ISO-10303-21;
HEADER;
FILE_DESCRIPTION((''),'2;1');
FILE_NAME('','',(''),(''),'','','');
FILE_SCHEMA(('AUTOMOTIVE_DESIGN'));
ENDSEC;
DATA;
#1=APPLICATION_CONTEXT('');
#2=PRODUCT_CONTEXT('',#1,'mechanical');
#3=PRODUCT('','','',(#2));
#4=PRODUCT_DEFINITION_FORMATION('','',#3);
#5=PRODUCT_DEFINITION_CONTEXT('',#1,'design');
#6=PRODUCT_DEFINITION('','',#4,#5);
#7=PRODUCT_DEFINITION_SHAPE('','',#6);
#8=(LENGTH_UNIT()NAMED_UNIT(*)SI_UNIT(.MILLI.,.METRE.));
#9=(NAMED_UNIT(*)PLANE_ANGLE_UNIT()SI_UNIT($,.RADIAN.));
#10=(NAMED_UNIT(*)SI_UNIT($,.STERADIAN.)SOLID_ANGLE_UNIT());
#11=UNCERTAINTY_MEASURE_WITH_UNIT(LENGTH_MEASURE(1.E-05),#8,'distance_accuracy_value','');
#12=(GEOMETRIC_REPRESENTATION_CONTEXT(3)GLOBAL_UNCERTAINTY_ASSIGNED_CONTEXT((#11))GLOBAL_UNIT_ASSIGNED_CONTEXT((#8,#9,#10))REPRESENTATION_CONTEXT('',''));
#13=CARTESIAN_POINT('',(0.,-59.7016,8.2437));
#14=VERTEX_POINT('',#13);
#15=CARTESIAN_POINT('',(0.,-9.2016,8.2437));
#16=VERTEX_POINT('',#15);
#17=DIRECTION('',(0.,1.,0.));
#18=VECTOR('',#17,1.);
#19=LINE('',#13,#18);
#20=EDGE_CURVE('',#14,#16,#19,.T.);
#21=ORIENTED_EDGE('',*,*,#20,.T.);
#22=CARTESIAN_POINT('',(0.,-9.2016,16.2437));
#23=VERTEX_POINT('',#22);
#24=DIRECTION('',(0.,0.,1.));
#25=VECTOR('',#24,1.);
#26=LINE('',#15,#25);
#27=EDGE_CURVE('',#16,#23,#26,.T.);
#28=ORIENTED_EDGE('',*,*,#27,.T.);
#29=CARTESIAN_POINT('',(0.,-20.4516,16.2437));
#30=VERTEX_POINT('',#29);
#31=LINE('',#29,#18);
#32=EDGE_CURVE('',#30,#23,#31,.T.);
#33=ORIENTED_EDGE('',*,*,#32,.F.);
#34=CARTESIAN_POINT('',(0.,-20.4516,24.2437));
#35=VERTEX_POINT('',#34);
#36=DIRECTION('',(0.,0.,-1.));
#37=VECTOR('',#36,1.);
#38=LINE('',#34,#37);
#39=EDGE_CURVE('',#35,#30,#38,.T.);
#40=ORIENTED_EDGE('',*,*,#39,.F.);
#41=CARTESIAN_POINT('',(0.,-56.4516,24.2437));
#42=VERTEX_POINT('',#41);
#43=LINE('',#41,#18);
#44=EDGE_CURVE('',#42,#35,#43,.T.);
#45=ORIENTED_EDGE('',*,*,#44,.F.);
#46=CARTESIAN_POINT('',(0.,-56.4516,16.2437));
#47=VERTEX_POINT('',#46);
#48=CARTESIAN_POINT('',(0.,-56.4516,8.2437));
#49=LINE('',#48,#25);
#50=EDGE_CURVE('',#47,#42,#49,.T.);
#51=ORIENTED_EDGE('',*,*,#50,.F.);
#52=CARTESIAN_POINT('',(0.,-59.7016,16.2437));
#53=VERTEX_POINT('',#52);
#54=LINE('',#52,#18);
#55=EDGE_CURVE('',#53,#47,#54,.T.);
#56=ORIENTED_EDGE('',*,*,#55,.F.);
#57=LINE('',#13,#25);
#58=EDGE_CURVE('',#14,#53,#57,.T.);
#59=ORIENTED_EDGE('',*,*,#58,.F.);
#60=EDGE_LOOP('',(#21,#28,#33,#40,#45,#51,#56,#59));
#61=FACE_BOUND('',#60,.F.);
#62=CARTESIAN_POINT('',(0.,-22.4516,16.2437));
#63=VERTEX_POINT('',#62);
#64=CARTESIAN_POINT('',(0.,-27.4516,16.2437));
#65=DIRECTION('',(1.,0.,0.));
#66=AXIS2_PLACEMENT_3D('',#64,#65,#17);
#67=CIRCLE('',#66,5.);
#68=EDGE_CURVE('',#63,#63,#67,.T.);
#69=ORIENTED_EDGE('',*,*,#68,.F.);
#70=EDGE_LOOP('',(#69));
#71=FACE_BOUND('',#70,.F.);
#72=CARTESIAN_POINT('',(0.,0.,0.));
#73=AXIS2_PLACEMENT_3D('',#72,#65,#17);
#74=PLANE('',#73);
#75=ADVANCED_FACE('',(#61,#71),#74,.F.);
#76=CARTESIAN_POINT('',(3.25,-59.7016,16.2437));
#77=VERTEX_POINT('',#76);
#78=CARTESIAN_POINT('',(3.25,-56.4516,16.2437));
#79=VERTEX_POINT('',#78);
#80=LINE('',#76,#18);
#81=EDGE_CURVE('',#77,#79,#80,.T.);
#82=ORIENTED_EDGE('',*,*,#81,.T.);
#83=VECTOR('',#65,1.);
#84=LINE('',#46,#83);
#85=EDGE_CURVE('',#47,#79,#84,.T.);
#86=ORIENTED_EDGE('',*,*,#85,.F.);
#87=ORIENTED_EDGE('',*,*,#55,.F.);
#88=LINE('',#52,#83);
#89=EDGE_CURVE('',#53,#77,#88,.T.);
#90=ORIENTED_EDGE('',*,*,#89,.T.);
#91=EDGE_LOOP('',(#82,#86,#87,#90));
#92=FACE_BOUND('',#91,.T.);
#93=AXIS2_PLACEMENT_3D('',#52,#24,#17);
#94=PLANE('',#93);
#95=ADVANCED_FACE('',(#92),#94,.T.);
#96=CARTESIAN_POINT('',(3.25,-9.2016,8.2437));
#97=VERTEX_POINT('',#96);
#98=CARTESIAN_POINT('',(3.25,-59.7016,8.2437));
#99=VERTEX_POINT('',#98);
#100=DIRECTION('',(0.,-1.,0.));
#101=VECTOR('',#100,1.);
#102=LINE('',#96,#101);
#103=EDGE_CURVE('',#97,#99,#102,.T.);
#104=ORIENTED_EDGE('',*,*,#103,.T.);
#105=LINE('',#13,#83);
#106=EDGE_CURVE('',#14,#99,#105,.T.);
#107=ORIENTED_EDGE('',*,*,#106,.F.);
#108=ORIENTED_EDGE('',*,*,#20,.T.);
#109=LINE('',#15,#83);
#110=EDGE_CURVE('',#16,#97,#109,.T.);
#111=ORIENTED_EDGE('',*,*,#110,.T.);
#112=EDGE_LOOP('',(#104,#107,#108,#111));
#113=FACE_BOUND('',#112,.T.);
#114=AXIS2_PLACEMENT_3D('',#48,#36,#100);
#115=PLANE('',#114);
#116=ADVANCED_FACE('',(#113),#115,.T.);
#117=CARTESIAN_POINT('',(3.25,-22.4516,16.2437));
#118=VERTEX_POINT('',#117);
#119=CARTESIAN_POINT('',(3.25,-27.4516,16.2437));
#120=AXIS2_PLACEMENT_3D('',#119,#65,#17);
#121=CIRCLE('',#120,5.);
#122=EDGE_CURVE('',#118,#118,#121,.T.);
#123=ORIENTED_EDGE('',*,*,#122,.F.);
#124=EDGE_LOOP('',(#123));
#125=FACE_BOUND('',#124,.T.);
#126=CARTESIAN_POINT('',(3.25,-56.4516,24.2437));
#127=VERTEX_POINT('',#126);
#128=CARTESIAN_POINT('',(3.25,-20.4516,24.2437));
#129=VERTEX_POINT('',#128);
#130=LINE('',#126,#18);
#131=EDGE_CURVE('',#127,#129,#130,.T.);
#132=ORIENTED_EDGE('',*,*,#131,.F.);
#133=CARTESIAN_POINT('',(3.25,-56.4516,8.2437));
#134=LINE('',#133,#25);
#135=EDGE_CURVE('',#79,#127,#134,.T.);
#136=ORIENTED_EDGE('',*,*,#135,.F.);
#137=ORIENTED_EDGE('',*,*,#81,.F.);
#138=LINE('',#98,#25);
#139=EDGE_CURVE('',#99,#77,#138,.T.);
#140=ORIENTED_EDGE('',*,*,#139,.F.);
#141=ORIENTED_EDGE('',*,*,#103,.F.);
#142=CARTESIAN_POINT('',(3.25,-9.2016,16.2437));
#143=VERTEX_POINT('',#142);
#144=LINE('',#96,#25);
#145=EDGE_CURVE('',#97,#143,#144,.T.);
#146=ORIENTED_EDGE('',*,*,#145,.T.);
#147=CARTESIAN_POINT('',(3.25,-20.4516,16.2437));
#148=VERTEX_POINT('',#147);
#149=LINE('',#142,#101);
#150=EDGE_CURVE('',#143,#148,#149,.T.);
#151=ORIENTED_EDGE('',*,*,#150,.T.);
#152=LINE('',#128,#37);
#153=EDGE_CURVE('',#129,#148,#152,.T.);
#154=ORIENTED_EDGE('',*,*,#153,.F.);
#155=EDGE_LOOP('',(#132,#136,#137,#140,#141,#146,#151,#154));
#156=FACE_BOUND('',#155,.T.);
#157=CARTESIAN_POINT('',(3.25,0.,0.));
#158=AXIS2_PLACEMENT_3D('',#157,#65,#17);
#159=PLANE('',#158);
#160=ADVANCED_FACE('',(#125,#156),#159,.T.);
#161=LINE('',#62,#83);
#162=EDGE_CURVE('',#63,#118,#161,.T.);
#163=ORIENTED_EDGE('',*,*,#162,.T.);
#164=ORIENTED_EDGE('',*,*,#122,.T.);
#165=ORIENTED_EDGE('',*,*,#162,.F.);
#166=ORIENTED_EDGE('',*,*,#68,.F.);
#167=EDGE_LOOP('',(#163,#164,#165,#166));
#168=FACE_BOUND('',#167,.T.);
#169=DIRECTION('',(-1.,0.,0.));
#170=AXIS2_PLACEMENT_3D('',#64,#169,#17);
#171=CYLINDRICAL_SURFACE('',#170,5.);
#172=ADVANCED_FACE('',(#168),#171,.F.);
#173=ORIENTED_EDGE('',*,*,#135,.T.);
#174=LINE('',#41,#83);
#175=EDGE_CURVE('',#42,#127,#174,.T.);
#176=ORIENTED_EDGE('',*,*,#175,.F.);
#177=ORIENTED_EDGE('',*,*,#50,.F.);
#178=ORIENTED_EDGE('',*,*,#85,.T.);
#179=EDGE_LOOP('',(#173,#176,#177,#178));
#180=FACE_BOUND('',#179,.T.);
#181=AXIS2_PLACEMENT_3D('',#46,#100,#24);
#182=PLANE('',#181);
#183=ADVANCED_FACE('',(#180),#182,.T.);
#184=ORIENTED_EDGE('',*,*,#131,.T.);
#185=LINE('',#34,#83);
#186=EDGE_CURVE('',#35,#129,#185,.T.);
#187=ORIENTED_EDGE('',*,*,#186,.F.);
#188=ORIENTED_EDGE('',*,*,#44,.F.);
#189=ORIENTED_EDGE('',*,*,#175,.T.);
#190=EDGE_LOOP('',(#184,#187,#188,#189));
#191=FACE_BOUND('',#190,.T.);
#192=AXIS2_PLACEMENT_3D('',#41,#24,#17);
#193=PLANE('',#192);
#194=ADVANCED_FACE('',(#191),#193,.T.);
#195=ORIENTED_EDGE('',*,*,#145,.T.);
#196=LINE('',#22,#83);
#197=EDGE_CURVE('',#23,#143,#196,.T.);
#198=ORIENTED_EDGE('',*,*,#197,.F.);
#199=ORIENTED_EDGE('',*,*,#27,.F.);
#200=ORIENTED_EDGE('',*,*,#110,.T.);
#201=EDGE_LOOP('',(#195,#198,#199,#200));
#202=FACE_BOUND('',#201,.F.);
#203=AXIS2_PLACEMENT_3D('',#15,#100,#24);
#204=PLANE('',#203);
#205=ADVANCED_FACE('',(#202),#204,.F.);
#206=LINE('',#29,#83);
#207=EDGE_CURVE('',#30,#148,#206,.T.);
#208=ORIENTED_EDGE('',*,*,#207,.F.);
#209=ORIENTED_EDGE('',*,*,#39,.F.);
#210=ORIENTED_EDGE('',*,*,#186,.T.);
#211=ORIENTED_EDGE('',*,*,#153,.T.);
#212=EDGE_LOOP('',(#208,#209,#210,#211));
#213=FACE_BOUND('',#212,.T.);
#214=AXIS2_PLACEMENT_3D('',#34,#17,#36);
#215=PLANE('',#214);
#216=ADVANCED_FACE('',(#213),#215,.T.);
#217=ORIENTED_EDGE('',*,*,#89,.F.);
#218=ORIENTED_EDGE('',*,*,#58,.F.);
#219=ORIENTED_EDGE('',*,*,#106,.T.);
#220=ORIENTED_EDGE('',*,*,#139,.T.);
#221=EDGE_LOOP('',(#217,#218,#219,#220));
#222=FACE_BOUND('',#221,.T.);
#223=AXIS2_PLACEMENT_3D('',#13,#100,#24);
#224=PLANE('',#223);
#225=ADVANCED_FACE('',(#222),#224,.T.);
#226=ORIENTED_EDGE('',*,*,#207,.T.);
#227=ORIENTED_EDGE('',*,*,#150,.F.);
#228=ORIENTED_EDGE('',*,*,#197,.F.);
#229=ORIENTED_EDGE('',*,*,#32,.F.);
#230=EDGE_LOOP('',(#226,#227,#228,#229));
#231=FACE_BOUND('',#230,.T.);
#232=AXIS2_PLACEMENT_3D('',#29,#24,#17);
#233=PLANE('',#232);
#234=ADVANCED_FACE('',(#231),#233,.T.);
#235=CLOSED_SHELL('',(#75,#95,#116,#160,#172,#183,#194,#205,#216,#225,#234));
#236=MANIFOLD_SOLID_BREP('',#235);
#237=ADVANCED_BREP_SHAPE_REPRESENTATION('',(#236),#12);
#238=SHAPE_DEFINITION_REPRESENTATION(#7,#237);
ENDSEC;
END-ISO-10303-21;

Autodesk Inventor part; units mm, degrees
ref_plane "YZ Plane" through (0, 0, 0) normal (1, 0, 0) x (0, 1, 0)
ref_plane "XZ Plane" through (0, 0, 0) normal (0, 1, 0) x (-1, 0, 0)
ref_plane "XY Plane" through (0, 0, 0) normal (0, 0, 1) x (1, 0, 0)
sketch "Sketch1" plane through (0, 0, 0) normal (1, 0, 0) x (0, 1, 0)
  line L0 (-92.7646, -8.503) -> (-89.7646, -8.503)
  line L1 (-89.7646, -8.503) -> (-89.7646, -11.753)
  line L2 (-89.7646, -11.753) -> (-92.7646, -11.753)
  line L3 (-92.7646, -11.753) -> (-92.7646, -8.503)
  line L4 (-92.7646, -21.6527) -> (-89.7646, -21.6527)
  line L5 (-89.7646, -21.6527) -> (-89.7646, -21.7527)
  line L6 (-89.7646, -21.7527) -> (-92.7646, -21.7527)
  line L7 (-92.7646, -21.7527) -> (-92.7646, -21.6527)
  line L8 (-56.4516, 8.2437) -> (-59.7016, 8.2437)
  line L9 (-59.7016, 8.2437) -> (-59.7016, 16.2437)
  line L10 (-59.7016, 16.2437) -> (-56.4516, 16.2437)
  line L11 (-56.4516, 16.2437) -> (-56.4516, 8.2437)
  line L12 (-34.4516, 24.2437) -> (-34.4516, 8.2437) construction
  line L13 (-12.4516, 8.2437) -> (-9.2016, 8.2437)
  line L14 (-9.2016, 8.2437) -> (-9.2016, 16.2437)
  line L15 (-9.2016, 16.2437) -> (-12.4516, 16.2437)
  line L16 (-12.4516, 16.2437) -> (-12.4516, 8.2437)
  circle A0 centre (-27.4516, 16.2437) radius 5
  line L17 (-12.4516, 8.2437) -> (-20.4516, 8.2437)
  line L18 (-20.4516, 8.2437) -> (-20.4516, 16.2437)
  line L19 (-20.4516, 16.2437) -> (-12.4516, 16.2437)
  line L20 (-12.4516, 16.2437) -> (-12.4516, 8.2437)
  line L21 (-20.4516, 8.2437) -> (-56.4516, 8.2437)
  line L22 (-56.4516, 8.2437) -> (-56.4516, 24.2437)
  line L23 (-56.4516, 24.2437) -> (-20.4516, 24.2437)
  line L24 (-20.4516, 24.2437) -> (-20.4516, 8.2437)
  point P0 (0, 0)
  dimension "d0" = 3
  dimension "mat" = 3.25
  dimension "d2" = 3
  dimension "kerf" = 0.1
  dimension "d27" = 3.25
  dimension "d28" = 8
  dimension "d29" = 10
  dimension "d34" = 2
  dimension "d35" = 8
  dimension "d38" = 36
extrude "Extrusion5" add sketch "Sketch1" along normal blind 3.25 contours L8 L9 L10 L11 | L11 L22 L23 L24 L18 L21 | L18 L19 L16 L17 | L16 L15 L14 L13
equation "\"d27\" = mat"
equation "\"d36\" = mat"
properties part number "body-side2"
